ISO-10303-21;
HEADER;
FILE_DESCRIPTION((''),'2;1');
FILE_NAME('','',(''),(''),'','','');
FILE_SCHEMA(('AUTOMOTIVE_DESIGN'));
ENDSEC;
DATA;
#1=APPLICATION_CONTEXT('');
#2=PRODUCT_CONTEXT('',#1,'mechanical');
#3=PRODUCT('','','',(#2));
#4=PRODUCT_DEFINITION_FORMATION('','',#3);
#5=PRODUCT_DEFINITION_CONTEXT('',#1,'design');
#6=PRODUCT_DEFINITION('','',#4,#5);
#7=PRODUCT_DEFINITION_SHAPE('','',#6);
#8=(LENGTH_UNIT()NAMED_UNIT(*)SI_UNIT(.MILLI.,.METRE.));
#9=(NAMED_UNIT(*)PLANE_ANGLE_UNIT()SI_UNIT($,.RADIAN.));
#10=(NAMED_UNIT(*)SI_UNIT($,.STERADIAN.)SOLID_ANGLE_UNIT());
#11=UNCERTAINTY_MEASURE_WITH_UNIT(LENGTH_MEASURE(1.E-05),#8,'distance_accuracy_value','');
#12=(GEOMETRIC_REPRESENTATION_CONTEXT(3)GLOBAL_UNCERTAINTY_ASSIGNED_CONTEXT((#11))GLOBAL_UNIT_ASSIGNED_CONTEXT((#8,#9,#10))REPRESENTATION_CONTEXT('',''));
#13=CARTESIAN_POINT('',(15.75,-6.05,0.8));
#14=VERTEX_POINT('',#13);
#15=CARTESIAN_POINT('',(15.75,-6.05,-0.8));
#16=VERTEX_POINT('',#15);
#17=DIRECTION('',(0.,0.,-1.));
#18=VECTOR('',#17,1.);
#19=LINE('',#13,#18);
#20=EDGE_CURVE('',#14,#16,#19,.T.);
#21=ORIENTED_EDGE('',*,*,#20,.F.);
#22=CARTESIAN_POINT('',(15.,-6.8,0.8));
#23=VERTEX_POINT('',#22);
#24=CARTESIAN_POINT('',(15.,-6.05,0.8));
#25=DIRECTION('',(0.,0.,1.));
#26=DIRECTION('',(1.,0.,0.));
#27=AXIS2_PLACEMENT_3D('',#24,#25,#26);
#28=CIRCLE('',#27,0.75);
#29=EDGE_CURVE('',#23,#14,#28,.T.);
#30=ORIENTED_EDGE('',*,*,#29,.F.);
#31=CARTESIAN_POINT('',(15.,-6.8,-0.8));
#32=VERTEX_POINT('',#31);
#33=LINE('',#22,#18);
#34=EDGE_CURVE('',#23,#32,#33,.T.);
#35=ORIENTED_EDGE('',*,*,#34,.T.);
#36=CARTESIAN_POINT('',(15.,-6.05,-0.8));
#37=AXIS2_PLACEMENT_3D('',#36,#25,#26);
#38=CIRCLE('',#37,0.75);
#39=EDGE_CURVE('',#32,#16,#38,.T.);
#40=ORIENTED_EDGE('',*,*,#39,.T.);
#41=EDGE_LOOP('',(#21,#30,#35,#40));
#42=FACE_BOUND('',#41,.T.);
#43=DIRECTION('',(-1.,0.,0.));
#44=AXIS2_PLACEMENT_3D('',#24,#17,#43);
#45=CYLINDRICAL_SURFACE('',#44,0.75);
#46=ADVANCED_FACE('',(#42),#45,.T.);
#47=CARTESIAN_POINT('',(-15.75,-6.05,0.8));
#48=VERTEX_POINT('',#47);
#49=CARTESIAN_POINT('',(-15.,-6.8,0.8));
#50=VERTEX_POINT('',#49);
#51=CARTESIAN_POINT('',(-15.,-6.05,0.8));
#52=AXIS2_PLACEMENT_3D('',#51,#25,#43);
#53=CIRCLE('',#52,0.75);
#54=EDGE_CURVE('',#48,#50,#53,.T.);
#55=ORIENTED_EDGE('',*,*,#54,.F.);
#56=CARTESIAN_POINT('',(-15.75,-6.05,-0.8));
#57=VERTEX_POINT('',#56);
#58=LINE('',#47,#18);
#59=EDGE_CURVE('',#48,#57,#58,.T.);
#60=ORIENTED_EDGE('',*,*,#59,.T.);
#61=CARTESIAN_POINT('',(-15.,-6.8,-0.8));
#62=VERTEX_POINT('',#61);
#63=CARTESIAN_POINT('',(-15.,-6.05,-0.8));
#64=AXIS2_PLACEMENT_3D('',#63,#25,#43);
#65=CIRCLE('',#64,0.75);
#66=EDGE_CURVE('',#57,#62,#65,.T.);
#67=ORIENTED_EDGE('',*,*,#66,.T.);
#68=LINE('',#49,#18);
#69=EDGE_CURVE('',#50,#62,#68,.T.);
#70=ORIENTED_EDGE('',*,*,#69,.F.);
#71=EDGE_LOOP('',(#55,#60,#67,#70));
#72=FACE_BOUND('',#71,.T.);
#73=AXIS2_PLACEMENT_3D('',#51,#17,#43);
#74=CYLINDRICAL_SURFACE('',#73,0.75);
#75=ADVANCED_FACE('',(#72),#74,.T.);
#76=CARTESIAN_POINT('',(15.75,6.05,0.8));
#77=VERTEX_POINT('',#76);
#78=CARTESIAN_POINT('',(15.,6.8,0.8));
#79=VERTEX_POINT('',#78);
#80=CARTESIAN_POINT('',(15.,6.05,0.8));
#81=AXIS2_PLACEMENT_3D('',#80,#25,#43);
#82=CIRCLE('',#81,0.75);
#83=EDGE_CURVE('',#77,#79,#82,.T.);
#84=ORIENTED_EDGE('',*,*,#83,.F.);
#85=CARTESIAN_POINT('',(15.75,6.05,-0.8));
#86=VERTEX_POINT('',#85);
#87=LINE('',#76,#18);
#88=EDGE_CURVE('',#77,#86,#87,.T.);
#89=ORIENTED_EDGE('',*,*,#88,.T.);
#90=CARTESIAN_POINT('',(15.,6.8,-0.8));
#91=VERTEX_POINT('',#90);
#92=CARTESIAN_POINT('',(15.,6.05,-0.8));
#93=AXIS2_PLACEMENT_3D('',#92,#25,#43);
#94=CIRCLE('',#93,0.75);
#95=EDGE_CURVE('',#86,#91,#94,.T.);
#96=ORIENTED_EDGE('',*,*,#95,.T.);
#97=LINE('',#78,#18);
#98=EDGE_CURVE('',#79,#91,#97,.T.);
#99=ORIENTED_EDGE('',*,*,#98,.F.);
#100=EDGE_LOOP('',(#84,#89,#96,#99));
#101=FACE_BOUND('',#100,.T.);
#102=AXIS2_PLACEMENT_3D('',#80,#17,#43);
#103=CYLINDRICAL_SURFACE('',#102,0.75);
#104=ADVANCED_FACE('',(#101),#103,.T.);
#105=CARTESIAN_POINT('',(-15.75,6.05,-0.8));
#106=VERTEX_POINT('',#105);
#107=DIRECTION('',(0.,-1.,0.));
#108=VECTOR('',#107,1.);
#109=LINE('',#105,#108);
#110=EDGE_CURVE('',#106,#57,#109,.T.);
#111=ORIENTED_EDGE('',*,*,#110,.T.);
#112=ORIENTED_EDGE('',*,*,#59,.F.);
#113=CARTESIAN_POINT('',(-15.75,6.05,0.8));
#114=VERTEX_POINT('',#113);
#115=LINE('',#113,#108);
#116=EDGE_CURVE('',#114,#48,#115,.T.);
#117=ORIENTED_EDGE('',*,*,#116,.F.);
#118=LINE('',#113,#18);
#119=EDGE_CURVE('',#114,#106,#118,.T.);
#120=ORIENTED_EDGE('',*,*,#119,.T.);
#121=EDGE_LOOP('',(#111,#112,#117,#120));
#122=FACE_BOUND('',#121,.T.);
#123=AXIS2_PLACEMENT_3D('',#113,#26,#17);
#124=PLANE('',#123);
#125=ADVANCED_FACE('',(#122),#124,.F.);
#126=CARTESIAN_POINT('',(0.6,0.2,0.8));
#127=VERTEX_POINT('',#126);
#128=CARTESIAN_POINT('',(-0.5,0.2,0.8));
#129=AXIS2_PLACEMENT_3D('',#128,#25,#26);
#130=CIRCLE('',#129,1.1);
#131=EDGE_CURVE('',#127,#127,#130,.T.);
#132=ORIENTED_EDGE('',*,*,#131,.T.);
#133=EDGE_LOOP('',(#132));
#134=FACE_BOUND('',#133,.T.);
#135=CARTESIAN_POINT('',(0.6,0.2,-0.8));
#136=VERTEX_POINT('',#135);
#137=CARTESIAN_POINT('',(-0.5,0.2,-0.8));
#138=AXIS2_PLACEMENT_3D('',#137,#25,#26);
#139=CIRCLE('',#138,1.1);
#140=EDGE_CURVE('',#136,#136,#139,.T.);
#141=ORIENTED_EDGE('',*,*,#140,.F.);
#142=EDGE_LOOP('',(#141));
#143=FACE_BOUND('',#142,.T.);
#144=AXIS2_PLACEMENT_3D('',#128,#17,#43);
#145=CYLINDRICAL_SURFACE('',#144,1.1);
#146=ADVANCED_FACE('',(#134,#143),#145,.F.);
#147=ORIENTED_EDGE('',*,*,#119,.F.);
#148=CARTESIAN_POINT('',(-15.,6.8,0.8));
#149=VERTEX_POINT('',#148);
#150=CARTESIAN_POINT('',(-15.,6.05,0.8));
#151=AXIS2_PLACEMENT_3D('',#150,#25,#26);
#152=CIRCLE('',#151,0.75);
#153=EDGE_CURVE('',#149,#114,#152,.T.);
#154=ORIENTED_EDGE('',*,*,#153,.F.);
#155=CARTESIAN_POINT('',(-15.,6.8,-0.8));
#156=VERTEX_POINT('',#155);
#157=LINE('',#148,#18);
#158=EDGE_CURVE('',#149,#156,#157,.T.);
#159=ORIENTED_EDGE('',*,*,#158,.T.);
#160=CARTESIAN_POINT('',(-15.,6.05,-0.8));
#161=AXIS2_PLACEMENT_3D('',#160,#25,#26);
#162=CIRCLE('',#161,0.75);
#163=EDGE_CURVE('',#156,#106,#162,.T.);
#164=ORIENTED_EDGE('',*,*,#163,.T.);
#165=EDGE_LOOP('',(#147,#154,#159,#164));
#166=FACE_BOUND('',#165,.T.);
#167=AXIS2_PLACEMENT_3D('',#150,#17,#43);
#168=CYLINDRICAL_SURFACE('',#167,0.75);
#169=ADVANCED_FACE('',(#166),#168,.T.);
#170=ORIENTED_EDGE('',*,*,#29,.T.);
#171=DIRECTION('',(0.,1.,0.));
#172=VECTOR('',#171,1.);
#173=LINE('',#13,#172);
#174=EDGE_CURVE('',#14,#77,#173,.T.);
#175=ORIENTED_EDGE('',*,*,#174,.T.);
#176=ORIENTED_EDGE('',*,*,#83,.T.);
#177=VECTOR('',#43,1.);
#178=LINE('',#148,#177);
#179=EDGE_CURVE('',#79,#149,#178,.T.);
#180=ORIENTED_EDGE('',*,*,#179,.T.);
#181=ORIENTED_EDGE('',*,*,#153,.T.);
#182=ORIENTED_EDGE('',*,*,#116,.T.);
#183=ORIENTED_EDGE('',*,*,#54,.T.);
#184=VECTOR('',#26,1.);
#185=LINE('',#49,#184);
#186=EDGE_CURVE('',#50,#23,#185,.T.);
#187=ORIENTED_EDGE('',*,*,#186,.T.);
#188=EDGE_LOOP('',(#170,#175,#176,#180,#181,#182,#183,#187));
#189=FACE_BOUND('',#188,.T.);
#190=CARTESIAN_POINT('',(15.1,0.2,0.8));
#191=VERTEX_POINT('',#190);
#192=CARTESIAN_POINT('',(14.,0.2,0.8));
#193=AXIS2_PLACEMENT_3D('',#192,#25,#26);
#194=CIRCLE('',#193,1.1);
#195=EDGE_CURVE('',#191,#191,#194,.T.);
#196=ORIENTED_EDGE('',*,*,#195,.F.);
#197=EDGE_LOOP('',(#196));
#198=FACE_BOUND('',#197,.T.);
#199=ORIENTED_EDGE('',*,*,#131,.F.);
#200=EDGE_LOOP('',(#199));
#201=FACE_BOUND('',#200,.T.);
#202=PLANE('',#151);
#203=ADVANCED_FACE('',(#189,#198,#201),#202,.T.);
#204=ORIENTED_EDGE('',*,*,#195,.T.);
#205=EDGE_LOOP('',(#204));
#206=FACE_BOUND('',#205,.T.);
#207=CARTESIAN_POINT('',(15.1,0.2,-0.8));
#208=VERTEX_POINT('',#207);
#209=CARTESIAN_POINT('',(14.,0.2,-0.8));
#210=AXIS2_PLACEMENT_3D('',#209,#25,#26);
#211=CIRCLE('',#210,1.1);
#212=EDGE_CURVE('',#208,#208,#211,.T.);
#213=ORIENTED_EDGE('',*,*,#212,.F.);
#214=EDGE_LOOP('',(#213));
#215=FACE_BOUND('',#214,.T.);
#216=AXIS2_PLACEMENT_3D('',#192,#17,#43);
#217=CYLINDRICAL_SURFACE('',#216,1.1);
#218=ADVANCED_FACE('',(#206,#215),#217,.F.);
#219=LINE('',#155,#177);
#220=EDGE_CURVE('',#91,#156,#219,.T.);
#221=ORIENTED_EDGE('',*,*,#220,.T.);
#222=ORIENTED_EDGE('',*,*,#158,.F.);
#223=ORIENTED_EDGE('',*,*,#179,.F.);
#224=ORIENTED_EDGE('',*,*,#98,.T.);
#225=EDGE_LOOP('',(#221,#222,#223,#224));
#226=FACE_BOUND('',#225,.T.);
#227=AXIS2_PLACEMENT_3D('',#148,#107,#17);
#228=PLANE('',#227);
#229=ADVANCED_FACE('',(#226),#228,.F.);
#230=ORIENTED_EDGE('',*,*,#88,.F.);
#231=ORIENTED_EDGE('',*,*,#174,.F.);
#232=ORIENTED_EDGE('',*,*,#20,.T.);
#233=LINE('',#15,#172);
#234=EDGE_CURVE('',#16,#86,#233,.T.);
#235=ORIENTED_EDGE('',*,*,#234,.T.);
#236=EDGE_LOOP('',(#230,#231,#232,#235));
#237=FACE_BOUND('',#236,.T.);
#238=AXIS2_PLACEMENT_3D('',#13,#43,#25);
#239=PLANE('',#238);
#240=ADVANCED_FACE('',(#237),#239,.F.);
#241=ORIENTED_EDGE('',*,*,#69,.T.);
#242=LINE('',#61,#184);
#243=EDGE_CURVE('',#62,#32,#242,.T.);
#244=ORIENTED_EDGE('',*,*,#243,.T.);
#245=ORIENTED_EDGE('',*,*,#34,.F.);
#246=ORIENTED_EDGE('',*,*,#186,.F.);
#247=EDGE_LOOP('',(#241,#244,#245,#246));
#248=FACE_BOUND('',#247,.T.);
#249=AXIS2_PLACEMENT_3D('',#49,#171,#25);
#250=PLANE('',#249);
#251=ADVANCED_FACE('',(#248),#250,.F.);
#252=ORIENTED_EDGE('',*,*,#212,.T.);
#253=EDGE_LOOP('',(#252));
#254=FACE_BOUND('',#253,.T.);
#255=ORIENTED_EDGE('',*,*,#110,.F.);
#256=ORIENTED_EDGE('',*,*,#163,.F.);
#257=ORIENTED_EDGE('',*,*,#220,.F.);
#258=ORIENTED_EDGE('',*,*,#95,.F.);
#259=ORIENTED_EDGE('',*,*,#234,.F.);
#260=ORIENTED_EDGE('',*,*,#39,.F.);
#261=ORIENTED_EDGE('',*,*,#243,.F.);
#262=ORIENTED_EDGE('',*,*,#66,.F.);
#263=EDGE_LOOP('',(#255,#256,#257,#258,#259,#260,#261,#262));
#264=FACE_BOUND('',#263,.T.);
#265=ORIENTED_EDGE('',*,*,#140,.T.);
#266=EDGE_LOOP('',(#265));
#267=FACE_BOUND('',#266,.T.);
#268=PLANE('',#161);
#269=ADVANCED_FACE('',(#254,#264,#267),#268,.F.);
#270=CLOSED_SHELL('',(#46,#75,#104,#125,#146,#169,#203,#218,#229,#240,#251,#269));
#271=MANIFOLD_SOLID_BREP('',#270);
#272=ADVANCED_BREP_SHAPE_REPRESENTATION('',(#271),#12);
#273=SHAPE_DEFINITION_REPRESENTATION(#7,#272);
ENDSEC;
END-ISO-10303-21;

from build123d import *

# Parameters (mm, degrees)
MODEL_R             = 1.1
BOSS_EXTRUDE1_DEPTH = 0.8


with BuildPart() as part:
    # Model → Boss-Extrude1 (new body, symmetric)
    with BuildSketch(Plane.XY):
        with BuildLine():
            Line((-15, -6.8), (15, -6.8))
            ThreePointArc((15, -6.8), (15.530330086, -6.580330086), (15.75, -6.05))
            Line((15.75, -6.05), (15.75, 6.05))
            ThreePointArc((15.75, 6.05), (15.530330086, 6.580330086), (15, 6.8))
            Line((15, 6.8), (-15, 6.8))
            ThreePointArc((-15, 6.8), (-15.530330086, 6.580330086), (-15.75, 6.05))
            Line((-15.75, 6.05), (-15.75, -6.05))
            ThreePointArc((-15.75, -6.05), (-15.530330086, -6.580330086), (-15, -6.8))
        make_face()
        with Locations((-0.5, 0.2)):
            Circle(MODEL_R, mode=Mode.SUBTRACT)
        with Locations((14, 0.2)):
            Circle(MODEL_R, mode=Mode.SUBTRACT)
    extrude(amount=BOSS_EXTRUDE1_DEPTH, both=True)


solid = part.part
